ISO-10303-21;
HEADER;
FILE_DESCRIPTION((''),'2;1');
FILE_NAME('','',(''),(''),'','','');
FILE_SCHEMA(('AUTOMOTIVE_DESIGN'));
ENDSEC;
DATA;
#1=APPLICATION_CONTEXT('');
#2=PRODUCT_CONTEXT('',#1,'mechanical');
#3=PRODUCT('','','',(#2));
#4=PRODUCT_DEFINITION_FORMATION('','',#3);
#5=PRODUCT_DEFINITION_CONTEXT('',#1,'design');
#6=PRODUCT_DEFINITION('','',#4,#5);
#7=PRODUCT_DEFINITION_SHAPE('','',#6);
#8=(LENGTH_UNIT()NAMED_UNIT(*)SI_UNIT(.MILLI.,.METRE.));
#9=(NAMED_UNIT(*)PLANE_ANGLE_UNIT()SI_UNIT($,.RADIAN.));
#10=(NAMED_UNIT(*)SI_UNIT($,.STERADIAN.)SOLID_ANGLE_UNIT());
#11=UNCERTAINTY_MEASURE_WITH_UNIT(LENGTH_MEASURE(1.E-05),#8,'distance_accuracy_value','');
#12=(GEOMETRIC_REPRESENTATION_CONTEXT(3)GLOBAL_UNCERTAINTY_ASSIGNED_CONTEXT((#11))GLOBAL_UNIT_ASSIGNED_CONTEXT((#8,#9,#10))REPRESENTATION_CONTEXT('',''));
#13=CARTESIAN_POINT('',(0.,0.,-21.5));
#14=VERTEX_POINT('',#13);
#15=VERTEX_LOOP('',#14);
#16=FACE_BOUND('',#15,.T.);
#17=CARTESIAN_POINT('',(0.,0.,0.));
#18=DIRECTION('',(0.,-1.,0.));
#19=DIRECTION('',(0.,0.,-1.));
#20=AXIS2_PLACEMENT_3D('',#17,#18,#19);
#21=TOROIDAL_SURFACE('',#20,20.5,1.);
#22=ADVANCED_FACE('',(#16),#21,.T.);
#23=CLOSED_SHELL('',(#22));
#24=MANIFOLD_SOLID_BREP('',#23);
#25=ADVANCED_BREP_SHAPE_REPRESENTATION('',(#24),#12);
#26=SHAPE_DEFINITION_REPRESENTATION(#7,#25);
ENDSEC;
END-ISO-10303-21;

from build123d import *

# Parameters (mm, degrees)
SKETCH2_R = 1


with BuildPart() as part:
    # Sketch2 → Revolve1 (revolve)
    with BuildSketch(Plane.XY, mode=Mode.PRIVATE) as revolve1_sk:
        with Locations((20.5, 0)):
            Circle(SKETCH2_R)
    revolve(revolve1_sk.sketch.rotate(Axis((0, 0, 0), (0, 1, 0)), 90), axis=Axis((0, 0, 0), (0, 1, 0)))


solid = part.part
